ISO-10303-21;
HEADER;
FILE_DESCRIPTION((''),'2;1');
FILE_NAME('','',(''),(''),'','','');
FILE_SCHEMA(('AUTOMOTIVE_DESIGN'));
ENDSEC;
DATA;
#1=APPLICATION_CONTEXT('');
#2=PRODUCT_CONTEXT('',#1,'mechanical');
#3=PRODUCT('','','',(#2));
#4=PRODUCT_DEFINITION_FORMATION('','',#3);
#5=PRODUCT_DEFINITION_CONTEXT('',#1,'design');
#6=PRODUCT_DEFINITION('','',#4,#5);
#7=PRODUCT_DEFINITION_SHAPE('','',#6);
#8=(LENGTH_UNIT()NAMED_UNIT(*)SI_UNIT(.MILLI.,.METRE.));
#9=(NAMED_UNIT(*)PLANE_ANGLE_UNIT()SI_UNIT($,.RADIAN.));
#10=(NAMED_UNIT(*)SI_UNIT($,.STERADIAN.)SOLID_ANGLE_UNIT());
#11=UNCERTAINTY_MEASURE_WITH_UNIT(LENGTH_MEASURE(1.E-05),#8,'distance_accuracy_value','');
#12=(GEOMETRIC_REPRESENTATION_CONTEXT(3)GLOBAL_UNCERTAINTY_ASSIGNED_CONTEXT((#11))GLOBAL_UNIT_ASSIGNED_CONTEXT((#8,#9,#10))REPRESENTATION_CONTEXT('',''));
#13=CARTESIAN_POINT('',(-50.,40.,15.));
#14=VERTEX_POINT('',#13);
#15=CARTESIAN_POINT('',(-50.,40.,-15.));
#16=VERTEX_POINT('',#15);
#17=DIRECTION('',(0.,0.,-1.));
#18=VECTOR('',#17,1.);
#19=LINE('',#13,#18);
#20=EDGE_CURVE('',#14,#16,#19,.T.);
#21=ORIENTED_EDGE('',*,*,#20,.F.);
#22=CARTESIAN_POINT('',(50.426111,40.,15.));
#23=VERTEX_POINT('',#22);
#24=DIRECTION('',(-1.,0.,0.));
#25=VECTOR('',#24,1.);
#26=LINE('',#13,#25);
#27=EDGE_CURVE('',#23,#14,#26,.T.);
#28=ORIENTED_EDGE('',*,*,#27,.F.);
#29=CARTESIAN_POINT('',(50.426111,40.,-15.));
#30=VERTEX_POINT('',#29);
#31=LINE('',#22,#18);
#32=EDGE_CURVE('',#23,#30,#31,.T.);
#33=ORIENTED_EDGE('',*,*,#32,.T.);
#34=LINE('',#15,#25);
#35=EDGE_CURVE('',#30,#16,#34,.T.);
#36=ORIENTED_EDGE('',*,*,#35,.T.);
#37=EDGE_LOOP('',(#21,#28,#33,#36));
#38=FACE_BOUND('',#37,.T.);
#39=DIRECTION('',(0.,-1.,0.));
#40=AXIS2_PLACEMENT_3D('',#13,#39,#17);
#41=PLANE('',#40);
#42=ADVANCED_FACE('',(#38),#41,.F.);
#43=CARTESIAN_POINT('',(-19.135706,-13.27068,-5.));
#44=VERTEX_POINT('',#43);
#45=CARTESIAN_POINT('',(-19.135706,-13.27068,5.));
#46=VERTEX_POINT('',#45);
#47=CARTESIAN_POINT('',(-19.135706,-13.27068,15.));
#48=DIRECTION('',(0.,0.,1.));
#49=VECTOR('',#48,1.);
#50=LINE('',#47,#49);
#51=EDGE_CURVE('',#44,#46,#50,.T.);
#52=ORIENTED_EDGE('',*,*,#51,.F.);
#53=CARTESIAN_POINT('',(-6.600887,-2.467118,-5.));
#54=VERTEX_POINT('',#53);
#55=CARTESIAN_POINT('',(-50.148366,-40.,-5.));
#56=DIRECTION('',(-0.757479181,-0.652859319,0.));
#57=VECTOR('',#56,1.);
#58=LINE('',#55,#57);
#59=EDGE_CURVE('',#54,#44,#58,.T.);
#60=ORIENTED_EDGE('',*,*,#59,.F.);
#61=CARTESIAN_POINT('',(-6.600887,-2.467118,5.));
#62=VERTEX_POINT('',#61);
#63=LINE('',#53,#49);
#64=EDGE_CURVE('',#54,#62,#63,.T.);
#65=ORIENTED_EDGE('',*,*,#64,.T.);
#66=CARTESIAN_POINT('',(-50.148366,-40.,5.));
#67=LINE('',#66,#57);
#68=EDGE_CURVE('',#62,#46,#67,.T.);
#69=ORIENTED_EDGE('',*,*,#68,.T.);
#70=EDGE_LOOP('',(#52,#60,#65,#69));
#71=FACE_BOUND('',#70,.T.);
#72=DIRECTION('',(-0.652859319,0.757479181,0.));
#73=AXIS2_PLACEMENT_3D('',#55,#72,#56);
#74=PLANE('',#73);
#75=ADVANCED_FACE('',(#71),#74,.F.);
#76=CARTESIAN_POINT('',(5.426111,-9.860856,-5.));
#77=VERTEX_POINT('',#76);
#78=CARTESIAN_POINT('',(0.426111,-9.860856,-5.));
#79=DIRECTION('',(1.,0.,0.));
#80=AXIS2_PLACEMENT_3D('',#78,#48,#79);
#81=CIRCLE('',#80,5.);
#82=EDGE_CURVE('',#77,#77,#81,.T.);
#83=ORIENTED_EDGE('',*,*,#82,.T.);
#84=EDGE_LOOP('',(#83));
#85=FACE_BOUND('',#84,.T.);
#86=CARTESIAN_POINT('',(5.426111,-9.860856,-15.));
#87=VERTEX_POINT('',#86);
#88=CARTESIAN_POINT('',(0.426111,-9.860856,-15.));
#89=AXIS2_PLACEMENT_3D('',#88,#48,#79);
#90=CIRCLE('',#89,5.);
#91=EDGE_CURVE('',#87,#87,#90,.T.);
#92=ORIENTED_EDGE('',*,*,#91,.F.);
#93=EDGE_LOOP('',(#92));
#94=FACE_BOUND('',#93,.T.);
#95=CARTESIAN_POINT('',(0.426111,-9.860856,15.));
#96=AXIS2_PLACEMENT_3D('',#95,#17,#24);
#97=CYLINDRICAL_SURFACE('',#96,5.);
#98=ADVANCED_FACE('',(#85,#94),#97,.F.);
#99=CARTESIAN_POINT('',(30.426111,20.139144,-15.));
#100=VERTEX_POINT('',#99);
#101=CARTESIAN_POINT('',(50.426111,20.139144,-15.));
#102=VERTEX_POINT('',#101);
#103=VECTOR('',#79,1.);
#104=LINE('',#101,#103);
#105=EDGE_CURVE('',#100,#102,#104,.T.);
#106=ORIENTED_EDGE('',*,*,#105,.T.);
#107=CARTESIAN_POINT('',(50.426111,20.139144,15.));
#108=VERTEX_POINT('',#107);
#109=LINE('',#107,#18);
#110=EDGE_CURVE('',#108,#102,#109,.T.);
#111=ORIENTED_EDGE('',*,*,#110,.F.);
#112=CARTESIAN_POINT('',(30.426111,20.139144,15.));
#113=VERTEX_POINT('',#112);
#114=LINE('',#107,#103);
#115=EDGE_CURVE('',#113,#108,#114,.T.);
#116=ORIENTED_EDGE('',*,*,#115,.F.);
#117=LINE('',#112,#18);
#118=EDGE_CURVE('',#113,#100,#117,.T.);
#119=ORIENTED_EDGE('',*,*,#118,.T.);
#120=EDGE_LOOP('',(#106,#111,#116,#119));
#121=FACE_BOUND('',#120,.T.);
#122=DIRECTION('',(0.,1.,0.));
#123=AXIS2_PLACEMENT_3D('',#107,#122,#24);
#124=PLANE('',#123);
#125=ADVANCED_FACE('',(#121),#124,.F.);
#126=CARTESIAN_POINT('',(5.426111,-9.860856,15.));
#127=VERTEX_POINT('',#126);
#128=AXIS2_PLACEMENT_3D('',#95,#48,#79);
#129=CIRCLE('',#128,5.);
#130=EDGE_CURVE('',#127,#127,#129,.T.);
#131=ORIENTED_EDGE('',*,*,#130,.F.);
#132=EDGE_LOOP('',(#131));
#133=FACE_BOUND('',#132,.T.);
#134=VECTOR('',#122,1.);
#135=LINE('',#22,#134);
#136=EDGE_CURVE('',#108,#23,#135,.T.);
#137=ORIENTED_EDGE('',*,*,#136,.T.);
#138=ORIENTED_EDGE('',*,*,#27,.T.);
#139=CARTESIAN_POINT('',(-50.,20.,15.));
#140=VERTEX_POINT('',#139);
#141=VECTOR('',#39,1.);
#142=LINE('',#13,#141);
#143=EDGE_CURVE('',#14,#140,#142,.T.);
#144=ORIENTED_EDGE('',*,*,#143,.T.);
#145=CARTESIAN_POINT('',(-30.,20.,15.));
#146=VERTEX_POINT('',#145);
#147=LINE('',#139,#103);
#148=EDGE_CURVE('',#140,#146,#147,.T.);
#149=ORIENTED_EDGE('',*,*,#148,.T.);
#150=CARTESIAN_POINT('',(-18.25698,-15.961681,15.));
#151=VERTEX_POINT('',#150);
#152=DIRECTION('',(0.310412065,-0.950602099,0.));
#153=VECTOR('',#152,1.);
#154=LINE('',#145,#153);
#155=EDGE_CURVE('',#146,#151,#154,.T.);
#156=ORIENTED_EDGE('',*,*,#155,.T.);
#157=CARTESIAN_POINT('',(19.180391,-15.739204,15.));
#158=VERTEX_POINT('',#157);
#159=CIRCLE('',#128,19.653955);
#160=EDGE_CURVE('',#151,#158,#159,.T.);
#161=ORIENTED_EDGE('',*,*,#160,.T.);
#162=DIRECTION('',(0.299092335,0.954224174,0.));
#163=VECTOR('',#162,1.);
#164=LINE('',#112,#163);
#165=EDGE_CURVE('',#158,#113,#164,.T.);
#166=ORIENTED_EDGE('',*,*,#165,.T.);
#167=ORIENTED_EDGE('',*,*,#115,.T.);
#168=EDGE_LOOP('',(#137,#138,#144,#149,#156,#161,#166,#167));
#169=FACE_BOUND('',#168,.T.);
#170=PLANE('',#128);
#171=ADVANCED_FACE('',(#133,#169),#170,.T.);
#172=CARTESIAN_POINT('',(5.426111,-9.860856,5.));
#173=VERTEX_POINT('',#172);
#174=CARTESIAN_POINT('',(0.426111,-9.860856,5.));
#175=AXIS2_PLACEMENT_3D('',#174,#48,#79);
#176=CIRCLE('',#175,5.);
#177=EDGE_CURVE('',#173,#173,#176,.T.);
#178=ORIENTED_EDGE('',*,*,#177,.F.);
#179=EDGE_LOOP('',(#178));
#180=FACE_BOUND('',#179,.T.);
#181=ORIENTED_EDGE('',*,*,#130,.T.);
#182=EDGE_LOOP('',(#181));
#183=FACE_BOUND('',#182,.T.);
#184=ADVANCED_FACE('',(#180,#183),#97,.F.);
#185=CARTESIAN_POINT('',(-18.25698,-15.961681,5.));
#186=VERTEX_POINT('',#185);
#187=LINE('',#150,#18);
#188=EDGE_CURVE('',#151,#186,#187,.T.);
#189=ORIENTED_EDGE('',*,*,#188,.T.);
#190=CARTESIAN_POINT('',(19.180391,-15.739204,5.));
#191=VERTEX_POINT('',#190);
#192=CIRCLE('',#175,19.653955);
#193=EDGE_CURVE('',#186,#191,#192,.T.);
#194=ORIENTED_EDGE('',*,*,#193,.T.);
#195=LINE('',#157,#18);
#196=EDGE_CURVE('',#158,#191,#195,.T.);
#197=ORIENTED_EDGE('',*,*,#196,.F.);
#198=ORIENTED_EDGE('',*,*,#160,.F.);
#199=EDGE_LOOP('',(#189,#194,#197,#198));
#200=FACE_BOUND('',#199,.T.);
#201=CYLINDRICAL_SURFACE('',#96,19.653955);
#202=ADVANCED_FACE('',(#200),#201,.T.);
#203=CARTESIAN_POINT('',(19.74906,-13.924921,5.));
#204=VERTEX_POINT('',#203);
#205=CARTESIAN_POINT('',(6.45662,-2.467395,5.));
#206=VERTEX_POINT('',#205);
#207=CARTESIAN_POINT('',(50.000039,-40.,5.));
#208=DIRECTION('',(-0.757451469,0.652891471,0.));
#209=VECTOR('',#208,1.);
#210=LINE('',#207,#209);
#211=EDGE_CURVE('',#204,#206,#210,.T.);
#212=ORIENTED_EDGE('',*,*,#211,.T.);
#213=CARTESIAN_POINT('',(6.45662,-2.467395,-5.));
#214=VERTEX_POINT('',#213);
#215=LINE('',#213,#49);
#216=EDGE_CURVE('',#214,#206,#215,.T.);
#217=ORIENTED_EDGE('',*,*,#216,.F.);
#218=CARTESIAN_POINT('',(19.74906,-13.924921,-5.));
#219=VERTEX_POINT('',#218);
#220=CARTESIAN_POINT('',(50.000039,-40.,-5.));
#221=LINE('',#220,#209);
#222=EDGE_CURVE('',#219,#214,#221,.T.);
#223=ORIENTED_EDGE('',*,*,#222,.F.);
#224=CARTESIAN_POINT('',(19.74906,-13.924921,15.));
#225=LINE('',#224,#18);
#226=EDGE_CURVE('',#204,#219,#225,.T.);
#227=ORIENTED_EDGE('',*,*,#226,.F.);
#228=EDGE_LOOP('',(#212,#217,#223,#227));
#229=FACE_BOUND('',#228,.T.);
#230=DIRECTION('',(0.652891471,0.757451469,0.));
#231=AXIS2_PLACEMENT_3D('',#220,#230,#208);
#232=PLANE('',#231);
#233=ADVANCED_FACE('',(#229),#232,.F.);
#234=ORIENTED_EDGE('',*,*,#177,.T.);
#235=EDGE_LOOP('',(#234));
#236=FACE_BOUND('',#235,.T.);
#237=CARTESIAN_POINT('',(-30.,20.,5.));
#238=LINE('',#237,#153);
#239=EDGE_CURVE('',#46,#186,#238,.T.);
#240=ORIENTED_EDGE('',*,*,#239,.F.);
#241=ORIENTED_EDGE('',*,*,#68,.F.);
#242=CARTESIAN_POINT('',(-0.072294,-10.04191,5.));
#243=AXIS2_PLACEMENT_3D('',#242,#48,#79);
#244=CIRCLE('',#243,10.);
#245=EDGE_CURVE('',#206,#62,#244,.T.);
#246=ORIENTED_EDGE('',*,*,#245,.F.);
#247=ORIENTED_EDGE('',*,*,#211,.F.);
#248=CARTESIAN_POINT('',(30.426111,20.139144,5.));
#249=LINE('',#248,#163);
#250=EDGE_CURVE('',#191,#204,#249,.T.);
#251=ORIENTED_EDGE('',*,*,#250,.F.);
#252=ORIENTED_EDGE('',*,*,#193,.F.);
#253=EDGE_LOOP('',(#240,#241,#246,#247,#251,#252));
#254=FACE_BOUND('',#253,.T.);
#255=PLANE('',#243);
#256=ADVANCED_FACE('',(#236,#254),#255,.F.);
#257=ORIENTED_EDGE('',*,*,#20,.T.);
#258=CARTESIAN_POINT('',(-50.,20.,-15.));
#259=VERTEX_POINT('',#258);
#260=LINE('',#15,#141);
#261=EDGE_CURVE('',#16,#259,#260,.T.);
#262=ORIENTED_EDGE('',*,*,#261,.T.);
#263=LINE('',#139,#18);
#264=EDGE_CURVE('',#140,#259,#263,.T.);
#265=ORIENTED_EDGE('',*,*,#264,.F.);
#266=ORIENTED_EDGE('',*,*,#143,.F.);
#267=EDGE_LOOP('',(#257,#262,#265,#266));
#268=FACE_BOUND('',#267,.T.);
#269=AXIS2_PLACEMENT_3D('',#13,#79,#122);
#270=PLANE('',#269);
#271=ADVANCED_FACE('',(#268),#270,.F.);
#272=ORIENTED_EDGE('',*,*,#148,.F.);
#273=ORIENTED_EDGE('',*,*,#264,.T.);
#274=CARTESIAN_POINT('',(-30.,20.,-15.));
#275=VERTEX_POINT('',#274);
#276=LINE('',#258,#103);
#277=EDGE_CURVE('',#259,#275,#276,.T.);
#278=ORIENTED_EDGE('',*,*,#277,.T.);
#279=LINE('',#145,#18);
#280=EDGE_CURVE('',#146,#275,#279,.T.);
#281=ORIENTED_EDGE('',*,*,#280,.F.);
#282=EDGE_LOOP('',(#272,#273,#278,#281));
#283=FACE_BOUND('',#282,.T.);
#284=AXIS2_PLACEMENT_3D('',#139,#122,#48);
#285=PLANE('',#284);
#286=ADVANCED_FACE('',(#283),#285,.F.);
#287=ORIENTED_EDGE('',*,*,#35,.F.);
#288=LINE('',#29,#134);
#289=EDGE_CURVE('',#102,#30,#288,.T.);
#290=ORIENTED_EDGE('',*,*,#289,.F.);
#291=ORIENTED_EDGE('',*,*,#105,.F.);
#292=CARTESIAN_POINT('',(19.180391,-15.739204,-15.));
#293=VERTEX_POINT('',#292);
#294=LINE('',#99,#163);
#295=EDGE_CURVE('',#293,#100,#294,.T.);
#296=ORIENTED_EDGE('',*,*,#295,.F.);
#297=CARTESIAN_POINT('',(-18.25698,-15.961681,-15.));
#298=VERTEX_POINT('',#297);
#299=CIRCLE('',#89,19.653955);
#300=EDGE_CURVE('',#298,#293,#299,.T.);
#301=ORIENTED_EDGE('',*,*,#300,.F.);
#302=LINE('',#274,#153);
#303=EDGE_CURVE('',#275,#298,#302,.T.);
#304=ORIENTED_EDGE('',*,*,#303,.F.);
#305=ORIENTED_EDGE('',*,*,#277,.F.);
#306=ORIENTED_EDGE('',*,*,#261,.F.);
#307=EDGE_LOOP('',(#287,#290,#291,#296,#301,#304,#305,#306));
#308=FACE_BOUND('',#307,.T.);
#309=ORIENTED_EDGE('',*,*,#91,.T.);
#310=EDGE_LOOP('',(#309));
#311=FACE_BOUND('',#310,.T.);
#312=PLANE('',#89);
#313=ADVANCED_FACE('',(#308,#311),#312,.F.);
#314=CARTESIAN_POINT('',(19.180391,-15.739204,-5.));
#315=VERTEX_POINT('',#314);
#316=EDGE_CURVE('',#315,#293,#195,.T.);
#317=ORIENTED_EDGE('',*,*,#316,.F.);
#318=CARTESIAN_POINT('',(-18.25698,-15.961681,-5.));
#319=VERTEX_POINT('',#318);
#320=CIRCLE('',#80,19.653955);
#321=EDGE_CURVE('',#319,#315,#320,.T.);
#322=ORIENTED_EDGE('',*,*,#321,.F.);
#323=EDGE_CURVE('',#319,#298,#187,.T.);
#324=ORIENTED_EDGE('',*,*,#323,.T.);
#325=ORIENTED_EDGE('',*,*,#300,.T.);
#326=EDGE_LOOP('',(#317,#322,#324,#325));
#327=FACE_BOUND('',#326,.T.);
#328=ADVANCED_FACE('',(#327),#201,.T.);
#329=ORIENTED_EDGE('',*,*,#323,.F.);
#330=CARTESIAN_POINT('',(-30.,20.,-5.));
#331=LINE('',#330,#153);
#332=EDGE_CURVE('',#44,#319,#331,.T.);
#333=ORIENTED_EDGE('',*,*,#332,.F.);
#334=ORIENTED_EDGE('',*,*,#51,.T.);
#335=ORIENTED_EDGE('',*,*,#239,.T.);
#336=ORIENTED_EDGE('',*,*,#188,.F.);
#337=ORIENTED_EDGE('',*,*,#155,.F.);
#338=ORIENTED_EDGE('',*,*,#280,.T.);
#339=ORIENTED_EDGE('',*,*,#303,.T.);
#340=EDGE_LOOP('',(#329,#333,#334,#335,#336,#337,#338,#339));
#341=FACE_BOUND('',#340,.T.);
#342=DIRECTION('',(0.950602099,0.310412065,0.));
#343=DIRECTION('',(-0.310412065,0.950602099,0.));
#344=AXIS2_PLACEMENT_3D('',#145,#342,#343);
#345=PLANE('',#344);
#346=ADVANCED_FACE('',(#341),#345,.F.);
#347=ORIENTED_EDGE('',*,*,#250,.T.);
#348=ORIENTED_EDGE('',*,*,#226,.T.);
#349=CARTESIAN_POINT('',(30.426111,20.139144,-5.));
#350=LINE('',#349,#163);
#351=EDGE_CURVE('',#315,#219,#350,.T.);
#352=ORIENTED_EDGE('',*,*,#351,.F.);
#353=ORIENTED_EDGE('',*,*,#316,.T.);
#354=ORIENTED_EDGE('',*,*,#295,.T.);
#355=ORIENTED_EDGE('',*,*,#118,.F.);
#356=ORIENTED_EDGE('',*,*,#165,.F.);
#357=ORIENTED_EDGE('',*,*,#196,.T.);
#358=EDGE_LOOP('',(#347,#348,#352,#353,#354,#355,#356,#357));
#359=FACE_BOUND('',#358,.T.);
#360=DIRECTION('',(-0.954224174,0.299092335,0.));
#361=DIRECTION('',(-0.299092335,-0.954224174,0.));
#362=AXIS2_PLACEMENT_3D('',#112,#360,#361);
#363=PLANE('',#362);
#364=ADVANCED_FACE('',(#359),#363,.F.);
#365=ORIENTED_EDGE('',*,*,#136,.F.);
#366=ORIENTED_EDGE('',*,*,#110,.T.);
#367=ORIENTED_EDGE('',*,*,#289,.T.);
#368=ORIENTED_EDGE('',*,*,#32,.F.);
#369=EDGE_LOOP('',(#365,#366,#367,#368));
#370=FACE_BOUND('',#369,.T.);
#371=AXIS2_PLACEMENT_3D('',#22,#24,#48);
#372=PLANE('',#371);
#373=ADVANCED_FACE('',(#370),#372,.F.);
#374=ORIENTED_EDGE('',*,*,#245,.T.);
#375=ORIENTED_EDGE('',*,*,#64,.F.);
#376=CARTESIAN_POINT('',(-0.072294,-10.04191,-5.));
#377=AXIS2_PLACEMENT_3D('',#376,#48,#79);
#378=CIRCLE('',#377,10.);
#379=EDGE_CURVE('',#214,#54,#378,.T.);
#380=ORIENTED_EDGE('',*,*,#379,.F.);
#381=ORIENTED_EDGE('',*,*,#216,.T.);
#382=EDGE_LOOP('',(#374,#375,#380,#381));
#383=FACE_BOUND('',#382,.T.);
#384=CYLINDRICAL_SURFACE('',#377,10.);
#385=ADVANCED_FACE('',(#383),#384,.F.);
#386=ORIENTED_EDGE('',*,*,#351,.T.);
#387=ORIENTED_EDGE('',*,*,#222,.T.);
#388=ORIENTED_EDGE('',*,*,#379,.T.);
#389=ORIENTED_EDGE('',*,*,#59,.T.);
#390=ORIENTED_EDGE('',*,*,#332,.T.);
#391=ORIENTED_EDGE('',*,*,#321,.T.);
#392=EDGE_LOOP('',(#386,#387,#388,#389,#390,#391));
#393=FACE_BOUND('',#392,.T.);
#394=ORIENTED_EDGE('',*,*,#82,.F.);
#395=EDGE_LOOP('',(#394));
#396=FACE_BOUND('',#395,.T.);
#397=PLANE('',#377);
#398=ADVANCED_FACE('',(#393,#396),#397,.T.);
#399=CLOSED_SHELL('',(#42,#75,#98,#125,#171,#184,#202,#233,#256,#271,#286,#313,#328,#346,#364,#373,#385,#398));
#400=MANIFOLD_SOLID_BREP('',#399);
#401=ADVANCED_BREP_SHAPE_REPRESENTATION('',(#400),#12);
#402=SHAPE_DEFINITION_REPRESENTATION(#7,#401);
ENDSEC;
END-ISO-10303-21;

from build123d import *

# Parameters (mm, degrees)
SKETCH1_R          = 5
BASE_EXTRUDE_DEPTH = 15
CUT_EXTRUDE1_DEPTH = 5


with BuildPart() as part:
    # Sketch1 → Base-Extrude (new, symmetric)
    with BuildSketch(Plane.XY):
        with BuildLine():
            Line((30.426111358, 20.139143504), (19.180390516, -15.739203845))
            ThreePointArc((19.180390516, -15.739203845), (0.542906018, -29.514464646), (-18.256979683, -15.96168131))
            Line((-18.256979683, -15.96168131), (-30, 20))
            Line((-30, 20), (-50, 20))
            Line((-50, 20), (-50, 40))
            Line((-50, 40), (50.426111358, 40))
            Line((50.426111358, 40), (50.426111358, 20.139143504))
            Line((50.426111358, 20.139143504), (30.426111358, 20.139143504))
        make_face()
        with Locations((0.426111358, -9.860856496)):
            Circle(SKETCH1_R, mode=Mode.SUBTRACT)
    extrude(amount=BASE_EXTRUDE_DEPTH, both=True)

    # Sketch2 → Cut-Extrude1 (cut, symmetric)
    with BuildSketch(Plane.XY):
        with BuildLine():
            Line((-50.148365525, -40), (50.000039492, -40))
            Line((50.000039492, -40), (6.45662049, -2.46739488))
            ThreePointArc((6.45662049, -2.46739488), (-0.072081984, -0.041909569), (-6.600887406, -2.467117756))
            Line((-6.600887406, -2.467117756), (-50.148365525, -40))
        make_face()
    extrude(amount=CUT_EXTRUDE1_DEPTH, both=True, mode=Mode.SUBTRACT)


solid = part.part
